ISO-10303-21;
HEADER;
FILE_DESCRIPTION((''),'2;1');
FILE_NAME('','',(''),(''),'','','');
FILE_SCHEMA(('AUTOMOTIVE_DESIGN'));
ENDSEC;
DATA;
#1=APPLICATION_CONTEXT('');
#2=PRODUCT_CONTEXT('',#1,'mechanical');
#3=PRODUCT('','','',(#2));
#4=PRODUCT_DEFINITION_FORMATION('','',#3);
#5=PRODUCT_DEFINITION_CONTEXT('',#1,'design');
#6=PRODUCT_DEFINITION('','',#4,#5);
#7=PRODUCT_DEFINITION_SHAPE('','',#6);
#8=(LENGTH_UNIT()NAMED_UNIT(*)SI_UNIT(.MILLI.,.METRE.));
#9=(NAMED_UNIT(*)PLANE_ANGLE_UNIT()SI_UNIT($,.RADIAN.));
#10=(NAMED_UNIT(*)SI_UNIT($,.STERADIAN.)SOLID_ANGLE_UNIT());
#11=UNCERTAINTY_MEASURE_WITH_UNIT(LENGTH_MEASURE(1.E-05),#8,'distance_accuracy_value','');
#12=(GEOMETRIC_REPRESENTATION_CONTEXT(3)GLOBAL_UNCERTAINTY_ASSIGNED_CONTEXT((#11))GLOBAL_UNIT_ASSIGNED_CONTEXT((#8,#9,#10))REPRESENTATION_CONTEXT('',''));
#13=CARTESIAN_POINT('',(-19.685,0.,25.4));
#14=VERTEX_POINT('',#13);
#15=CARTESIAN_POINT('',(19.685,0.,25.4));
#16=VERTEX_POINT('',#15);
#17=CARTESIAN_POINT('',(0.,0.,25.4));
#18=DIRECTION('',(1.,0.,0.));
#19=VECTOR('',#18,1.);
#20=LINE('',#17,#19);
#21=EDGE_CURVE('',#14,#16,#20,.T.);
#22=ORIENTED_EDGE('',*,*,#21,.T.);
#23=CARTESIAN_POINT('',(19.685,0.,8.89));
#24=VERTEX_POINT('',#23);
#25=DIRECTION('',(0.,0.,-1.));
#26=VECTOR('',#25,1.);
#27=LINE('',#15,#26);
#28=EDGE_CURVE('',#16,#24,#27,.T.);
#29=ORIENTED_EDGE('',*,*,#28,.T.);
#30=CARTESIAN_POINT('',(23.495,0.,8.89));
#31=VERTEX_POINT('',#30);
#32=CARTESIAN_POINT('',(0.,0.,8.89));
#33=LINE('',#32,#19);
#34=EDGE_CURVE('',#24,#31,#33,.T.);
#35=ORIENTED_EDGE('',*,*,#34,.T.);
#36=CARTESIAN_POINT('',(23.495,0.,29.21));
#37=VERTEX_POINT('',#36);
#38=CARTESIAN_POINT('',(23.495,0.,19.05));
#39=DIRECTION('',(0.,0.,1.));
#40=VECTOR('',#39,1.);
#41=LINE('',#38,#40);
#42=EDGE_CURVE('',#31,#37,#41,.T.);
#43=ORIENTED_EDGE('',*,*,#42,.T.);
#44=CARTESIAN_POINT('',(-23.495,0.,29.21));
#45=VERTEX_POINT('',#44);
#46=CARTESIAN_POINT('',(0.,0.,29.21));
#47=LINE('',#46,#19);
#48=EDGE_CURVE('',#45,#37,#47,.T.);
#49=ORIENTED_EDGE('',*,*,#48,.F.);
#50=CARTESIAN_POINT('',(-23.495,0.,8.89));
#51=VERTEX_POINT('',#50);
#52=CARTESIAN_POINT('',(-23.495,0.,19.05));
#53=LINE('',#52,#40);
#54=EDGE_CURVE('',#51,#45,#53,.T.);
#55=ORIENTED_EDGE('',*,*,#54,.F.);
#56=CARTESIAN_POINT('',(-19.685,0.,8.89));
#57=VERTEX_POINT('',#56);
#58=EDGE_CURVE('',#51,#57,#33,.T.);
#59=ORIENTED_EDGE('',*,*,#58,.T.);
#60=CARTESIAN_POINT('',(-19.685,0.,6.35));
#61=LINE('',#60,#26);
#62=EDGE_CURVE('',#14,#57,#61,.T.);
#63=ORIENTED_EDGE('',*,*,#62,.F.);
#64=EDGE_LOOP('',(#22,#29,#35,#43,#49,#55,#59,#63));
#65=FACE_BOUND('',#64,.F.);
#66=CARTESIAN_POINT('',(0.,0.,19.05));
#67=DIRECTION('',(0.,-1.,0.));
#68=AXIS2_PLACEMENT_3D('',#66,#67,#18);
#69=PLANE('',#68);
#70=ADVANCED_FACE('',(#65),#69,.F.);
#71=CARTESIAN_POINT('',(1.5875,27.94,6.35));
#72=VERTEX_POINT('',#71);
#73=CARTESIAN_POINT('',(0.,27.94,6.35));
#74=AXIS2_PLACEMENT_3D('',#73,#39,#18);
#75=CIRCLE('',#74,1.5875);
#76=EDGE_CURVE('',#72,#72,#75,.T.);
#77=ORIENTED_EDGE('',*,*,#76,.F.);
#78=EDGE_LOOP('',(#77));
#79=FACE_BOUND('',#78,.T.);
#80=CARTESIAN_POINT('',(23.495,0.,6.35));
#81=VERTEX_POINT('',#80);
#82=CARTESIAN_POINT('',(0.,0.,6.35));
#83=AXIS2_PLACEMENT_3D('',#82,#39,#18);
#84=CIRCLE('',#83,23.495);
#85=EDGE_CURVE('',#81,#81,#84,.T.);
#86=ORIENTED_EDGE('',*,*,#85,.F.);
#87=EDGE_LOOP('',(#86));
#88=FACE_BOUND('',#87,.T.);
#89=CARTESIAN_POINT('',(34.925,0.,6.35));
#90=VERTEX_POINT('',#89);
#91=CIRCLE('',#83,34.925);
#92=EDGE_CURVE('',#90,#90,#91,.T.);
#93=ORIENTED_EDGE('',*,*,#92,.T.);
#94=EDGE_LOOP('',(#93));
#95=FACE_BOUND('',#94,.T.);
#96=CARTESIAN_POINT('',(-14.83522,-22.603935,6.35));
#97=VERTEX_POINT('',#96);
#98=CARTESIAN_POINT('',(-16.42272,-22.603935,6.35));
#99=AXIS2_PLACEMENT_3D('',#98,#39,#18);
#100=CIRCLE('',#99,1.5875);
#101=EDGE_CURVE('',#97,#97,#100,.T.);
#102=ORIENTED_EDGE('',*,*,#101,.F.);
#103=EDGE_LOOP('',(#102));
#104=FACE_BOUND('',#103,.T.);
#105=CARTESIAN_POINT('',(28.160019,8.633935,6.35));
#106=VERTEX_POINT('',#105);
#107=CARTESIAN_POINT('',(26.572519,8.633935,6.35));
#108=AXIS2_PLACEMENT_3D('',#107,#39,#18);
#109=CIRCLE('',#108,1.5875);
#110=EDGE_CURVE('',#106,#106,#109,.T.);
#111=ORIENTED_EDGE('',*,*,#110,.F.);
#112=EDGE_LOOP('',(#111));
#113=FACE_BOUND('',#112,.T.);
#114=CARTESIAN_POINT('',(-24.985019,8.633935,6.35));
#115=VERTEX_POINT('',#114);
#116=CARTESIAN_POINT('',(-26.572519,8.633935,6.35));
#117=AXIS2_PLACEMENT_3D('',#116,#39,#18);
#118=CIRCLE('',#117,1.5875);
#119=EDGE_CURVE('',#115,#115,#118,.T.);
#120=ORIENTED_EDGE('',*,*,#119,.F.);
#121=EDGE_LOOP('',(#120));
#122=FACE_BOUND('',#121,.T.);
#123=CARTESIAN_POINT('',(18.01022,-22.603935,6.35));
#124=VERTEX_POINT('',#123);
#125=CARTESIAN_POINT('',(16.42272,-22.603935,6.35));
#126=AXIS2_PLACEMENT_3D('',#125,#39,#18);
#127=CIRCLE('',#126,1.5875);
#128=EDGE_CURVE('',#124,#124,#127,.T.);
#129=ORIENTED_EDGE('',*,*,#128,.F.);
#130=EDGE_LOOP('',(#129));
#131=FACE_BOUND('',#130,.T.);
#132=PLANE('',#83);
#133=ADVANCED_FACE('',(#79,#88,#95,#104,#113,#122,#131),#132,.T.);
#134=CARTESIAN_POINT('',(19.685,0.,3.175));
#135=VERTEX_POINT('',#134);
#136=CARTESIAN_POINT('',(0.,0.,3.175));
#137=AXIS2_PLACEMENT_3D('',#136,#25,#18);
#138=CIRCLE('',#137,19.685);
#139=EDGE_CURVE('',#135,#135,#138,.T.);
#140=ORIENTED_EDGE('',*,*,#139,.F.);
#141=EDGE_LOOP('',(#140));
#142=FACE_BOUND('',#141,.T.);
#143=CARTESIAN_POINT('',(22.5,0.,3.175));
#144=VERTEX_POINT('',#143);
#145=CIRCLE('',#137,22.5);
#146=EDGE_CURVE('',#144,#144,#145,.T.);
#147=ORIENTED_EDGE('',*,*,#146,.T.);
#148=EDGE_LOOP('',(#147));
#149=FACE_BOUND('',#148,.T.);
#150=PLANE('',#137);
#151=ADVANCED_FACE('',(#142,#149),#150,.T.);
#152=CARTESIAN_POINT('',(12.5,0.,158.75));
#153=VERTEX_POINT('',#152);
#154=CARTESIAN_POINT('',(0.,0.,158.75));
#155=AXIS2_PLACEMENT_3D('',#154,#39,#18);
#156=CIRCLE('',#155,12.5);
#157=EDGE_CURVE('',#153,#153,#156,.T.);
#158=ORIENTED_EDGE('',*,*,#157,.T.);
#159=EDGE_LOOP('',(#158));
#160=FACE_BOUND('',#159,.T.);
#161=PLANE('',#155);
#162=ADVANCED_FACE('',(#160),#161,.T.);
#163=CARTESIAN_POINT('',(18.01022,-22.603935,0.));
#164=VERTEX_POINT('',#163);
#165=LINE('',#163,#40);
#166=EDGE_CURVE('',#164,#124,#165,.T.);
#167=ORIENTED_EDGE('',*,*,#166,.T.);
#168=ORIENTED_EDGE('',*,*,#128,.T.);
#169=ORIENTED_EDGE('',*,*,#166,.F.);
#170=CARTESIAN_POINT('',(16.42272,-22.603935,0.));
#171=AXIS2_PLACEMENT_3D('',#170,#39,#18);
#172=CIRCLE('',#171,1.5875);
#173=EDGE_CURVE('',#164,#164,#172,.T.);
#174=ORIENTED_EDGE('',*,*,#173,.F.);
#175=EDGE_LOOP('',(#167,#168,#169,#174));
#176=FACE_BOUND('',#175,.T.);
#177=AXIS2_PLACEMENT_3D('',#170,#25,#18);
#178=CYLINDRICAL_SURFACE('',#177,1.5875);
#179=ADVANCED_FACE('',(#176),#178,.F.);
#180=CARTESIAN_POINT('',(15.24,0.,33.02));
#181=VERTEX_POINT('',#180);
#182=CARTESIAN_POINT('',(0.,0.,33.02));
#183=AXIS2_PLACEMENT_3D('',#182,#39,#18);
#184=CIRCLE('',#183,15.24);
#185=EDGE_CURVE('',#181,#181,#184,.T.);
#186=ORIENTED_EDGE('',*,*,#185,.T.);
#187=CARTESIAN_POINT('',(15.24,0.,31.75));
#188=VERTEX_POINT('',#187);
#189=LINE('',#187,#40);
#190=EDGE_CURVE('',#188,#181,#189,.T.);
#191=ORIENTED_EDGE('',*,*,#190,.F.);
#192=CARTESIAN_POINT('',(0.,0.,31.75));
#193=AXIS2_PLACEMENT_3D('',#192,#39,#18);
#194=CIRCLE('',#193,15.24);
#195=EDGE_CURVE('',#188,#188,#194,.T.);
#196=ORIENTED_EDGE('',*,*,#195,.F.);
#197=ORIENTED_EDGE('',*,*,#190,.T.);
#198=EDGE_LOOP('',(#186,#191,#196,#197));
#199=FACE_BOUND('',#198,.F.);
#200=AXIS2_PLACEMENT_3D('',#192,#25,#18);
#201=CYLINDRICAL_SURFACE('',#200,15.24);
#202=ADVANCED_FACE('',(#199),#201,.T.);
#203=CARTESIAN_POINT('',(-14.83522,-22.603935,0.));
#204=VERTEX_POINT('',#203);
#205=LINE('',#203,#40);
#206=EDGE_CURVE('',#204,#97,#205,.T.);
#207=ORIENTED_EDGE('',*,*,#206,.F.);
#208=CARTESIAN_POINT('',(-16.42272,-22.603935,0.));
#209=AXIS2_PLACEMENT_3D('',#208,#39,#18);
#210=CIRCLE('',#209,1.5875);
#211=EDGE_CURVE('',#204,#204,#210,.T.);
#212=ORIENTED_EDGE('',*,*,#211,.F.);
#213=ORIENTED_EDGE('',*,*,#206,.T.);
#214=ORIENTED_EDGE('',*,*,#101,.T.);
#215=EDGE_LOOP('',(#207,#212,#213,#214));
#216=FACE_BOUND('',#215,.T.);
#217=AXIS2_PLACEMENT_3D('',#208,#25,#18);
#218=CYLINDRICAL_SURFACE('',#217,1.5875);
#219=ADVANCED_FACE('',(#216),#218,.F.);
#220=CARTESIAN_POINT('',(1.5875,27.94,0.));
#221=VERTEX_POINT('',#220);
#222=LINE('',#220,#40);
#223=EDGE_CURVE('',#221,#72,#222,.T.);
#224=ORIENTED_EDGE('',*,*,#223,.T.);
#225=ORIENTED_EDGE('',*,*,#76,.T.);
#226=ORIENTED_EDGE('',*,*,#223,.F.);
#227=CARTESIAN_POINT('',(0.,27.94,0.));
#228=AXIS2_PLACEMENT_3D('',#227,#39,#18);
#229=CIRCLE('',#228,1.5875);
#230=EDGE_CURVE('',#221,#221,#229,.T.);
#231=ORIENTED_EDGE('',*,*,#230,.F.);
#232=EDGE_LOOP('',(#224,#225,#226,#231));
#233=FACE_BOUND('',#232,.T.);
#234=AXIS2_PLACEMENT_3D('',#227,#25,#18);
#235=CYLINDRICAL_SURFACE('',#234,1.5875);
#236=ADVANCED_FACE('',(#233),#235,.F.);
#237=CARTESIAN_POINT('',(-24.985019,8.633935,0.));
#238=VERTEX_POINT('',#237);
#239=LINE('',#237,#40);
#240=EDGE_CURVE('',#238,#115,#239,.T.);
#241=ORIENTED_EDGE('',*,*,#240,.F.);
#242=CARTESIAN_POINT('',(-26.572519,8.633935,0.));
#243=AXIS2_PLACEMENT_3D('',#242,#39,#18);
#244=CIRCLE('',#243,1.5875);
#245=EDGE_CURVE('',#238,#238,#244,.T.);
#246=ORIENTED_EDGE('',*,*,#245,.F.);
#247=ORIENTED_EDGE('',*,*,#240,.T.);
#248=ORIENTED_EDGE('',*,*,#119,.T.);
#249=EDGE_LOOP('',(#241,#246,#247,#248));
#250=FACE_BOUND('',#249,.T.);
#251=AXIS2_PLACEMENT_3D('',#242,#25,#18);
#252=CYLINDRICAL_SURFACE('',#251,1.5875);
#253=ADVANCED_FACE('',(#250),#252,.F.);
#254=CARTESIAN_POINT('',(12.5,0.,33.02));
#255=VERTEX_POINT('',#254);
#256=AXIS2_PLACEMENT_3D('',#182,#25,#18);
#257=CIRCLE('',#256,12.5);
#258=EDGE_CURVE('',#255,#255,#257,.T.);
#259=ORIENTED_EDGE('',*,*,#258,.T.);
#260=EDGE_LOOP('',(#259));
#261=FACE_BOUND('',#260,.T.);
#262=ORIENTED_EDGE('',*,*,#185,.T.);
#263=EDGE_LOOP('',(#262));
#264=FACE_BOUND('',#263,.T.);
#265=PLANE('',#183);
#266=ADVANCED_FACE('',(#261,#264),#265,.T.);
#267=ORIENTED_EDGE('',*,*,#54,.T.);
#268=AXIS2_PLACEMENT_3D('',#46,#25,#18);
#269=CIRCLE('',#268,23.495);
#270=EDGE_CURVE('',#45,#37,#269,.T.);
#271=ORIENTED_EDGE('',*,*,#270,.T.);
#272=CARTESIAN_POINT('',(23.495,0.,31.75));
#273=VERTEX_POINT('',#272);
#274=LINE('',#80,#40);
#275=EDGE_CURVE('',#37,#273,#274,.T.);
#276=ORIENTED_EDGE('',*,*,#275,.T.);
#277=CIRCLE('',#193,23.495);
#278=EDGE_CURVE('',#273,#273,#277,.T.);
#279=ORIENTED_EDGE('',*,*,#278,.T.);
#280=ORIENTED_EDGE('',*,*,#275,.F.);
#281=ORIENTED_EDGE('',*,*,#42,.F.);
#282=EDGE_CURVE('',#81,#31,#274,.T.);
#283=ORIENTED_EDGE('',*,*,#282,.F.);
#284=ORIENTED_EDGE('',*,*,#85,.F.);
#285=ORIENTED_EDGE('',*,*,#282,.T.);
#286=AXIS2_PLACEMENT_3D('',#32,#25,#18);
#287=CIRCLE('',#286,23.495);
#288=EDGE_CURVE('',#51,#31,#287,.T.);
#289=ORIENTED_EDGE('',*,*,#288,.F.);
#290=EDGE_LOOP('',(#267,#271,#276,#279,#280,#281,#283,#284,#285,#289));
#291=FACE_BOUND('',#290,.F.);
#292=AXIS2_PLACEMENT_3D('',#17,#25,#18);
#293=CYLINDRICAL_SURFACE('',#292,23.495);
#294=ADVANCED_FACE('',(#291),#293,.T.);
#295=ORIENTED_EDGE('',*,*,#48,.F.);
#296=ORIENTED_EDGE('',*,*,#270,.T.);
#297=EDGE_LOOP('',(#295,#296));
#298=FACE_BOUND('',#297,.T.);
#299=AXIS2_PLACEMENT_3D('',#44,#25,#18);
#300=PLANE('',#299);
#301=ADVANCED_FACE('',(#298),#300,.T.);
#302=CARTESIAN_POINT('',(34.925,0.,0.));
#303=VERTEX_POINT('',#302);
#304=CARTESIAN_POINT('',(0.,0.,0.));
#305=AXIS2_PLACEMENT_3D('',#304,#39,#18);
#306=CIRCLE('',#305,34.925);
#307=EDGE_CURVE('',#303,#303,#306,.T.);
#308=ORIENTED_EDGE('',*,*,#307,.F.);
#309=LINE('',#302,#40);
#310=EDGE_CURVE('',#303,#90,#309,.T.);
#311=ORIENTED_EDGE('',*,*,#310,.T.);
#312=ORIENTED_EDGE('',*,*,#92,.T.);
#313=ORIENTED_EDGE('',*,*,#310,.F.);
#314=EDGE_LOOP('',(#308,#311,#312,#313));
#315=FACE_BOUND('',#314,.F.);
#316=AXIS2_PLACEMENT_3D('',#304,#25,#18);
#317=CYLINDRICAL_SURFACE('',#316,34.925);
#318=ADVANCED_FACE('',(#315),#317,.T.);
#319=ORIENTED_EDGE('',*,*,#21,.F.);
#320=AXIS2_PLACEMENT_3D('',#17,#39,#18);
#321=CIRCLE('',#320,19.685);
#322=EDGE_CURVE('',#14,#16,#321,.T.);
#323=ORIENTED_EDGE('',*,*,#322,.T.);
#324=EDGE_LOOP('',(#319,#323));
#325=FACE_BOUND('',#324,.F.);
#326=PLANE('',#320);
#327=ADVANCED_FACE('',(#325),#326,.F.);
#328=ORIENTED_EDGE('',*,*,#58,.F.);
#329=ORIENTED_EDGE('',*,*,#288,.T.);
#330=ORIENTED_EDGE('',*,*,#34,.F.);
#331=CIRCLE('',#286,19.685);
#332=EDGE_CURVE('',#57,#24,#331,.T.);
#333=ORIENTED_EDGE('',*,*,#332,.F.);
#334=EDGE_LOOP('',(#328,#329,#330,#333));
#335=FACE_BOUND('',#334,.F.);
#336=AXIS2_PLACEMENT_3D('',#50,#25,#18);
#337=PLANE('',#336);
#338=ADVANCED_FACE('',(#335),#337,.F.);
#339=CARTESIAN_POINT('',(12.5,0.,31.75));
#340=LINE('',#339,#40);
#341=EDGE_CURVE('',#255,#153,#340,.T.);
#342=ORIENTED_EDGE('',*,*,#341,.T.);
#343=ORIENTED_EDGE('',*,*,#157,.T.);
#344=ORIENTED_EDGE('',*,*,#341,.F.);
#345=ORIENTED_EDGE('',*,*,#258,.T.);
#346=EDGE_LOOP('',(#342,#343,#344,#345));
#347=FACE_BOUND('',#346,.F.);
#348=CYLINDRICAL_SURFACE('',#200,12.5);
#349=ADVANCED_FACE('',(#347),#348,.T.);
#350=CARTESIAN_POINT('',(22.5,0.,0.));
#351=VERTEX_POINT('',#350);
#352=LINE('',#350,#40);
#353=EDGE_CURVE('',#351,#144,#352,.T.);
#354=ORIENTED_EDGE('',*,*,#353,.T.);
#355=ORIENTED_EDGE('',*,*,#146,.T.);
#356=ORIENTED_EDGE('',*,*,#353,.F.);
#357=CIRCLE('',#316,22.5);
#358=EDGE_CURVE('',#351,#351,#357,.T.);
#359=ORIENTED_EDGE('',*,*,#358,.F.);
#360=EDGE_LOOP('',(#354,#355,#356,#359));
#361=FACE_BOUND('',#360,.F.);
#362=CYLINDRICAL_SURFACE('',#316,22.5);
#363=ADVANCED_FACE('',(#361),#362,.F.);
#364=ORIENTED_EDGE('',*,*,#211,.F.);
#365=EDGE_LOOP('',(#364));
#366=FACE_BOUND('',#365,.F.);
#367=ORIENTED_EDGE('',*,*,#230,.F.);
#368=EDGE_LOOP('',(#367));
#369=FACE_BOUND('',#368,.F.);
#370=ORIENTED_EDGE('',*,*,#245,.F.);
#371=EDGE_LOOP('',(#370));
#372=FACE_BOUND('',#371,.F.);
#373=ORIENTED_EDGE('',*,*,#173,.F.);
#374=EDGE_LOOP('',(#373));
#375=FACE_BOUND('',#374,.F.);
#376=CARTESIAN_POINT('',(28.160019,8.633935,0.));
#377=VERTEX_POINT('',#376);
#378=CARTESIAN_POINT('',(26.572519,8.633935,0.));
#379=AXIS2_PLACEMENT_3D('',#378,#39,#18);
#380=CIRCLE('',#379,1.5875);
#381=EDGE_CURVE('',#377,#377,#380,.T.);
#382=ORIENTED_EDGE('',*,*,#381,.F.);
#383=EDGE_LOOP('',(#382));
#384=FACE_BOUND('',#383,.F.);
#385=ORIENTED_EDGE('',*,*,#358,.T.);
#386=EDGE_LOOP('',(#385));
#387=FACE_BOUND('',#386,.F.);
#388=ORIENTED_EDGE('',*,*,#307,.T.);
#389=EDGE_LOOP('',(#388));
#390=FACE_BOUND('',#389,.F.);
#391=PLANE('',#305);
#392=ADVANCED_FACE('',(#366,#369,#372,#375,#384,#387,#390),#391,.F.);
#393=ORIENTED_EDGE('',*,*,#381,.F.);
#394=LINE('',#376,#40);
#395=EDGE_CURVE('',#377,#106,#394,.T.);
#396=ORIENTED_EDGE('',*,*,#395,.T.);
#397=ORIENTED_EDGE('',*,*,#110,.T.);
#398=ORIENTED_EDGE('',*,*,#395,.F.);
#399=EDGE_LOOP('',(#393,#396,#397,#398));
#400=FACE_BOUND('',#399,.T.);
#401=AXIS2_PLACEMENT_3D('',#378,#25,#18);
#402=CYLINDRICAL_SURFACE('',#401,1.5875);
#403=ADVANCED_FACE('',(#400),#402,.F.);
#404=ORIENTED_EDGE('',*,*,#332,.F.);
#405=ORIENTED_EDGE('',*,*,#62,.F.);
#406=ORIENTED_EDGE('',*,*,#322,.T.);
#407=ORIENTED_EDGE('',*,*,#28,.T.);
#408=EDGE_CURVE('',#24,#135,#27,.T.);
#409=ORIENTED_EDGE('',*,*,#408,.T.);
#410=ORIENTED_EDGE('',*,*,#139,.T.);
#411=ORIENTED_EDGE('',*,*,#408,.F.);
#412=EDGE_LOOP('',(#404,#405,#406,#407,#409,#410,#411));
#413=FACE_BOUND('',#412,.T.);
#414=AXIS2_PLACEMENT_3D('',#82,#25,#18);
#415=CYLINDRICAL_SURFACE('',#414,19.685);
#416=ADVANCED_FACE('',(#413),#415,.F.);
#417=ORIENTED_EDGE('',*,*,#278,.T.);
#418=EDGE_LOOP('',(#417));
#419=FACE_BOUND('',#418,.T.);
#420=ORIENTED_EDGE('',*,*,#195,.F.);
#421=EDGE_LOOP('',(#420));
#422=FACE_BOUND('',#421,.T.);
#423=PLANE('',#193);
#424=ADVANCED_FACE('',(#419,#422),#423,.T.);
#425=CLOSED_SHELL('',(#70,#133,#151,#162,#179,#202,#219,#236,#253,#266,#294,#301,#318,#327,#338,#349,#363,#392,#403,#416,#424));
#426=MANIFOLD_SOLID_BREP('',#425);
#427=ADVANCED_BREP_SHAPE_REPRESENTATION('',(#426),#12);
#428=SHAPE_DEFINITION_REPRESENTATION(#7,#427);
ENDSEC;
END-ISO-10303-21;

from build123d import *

# Parameters (mm, degrees)
F0_R      = 34.925
F0_R_2    = 1.5875
F1_DEPTH  = 6.35
F2_R      = 22.5
F3_DEPTH  = 3.175
F4_R      = 19.685
F5_DEPTH  = 3.176
F6_R      = 23.495
F6_R_2    = 19.685
F7_DEPTH  = 19.05
F8_R      = 23.495
F9_DEPTH  = 6.35
F10_R     = 12.5
F11_DEPTH = 127
F12_R     = 15.24
F13_DEPTH = 1.27
F14_W     = 46.99
F14_H     = 20.32
F15_DEPTH = 25.4


with BuildPart() as f1:
    # F0 (on Top) → F1 (new body)
    with BuildSketch(Plane.XY):
        Circle(F0_R)
        with Locations((-16.42272, -22.603935)):
            Circle(F0_R_2, mode=Mode.SUBTRACT)
        with Locations((16.42272, -22.603935)):
            Circle(F0_R_2, mode=Mode.SUBTRACT)
        with Locations((-26.572519, 8.633935)):
            Circle(F0_R_2, mode=Mode.SUBTRACT)
        with Locations((26.572519, 8.633935)):
            Circle(F0_R_2, mode=Mode.SUBTRACT)
        with Locations((0, 27.94)):
            Circle(F0_R_2, mode=Mode.SUBTRACT)
    extrude(amount=F1_DEPTH)

    # F2 (on face) → F3 (cut)
    with BuildSketch(Plane(origin=(0, 0, 0), x_dir=(1, 0, 0), z_dir=(0, 0, -1))):
        Circle(F2_R)
    extrude(amount=-F3_DEPTH, mode=Mode.SUBTRACT)

    # F4 (on face) → F5 (cut, through all)
    with BuildSketch(Plane(origin=(0, 0, 3.175), x_dir=(1, 0, 0), z_dir=(0, 0, -1))):
        Circle(F4_R)
    extrude(amount=-F5_DEPTH, mode=Mode.SUBTRACT)

    # F6 (on face) → F7 (join)
    with BuildSketch(Plane.XY.offset(6.35)):
        Circle(F6_R)
        Circle(F6_R_2, mode=Mode.SUBTRACT)
    extrude(amount=F7_DEPTH)

    # F8 (on face) → F9 (join)
    with BuildSketch(Plane.XY.offset(25.4)):
        Circle(F8_R)
    extrude(amount=F9_DEPTH)

    # F10 (on face) → F11 (join)
    with BuildSketch(Plane.XY.offset(31.75)):
        Circle(F10_R)
    extrude(amount=F11_DEPTH)

    # F12 (on face) → F13 (join)
    with BuildSketch(Plane.XY.offset(31.75)):
        Circle(F12_R)
    extrude(amount=F13_DEPTH)

    # F14 (on Front) → F15 (cut)
    with BuildSketch(Plane.XZ):
        with Locations((0, 19.05)):
            Rectangle(F14_W, F14_H)
    extrude(amount=-F15_DEPTH, mode=Mode.SUBTRACT)


solid = f1.part
